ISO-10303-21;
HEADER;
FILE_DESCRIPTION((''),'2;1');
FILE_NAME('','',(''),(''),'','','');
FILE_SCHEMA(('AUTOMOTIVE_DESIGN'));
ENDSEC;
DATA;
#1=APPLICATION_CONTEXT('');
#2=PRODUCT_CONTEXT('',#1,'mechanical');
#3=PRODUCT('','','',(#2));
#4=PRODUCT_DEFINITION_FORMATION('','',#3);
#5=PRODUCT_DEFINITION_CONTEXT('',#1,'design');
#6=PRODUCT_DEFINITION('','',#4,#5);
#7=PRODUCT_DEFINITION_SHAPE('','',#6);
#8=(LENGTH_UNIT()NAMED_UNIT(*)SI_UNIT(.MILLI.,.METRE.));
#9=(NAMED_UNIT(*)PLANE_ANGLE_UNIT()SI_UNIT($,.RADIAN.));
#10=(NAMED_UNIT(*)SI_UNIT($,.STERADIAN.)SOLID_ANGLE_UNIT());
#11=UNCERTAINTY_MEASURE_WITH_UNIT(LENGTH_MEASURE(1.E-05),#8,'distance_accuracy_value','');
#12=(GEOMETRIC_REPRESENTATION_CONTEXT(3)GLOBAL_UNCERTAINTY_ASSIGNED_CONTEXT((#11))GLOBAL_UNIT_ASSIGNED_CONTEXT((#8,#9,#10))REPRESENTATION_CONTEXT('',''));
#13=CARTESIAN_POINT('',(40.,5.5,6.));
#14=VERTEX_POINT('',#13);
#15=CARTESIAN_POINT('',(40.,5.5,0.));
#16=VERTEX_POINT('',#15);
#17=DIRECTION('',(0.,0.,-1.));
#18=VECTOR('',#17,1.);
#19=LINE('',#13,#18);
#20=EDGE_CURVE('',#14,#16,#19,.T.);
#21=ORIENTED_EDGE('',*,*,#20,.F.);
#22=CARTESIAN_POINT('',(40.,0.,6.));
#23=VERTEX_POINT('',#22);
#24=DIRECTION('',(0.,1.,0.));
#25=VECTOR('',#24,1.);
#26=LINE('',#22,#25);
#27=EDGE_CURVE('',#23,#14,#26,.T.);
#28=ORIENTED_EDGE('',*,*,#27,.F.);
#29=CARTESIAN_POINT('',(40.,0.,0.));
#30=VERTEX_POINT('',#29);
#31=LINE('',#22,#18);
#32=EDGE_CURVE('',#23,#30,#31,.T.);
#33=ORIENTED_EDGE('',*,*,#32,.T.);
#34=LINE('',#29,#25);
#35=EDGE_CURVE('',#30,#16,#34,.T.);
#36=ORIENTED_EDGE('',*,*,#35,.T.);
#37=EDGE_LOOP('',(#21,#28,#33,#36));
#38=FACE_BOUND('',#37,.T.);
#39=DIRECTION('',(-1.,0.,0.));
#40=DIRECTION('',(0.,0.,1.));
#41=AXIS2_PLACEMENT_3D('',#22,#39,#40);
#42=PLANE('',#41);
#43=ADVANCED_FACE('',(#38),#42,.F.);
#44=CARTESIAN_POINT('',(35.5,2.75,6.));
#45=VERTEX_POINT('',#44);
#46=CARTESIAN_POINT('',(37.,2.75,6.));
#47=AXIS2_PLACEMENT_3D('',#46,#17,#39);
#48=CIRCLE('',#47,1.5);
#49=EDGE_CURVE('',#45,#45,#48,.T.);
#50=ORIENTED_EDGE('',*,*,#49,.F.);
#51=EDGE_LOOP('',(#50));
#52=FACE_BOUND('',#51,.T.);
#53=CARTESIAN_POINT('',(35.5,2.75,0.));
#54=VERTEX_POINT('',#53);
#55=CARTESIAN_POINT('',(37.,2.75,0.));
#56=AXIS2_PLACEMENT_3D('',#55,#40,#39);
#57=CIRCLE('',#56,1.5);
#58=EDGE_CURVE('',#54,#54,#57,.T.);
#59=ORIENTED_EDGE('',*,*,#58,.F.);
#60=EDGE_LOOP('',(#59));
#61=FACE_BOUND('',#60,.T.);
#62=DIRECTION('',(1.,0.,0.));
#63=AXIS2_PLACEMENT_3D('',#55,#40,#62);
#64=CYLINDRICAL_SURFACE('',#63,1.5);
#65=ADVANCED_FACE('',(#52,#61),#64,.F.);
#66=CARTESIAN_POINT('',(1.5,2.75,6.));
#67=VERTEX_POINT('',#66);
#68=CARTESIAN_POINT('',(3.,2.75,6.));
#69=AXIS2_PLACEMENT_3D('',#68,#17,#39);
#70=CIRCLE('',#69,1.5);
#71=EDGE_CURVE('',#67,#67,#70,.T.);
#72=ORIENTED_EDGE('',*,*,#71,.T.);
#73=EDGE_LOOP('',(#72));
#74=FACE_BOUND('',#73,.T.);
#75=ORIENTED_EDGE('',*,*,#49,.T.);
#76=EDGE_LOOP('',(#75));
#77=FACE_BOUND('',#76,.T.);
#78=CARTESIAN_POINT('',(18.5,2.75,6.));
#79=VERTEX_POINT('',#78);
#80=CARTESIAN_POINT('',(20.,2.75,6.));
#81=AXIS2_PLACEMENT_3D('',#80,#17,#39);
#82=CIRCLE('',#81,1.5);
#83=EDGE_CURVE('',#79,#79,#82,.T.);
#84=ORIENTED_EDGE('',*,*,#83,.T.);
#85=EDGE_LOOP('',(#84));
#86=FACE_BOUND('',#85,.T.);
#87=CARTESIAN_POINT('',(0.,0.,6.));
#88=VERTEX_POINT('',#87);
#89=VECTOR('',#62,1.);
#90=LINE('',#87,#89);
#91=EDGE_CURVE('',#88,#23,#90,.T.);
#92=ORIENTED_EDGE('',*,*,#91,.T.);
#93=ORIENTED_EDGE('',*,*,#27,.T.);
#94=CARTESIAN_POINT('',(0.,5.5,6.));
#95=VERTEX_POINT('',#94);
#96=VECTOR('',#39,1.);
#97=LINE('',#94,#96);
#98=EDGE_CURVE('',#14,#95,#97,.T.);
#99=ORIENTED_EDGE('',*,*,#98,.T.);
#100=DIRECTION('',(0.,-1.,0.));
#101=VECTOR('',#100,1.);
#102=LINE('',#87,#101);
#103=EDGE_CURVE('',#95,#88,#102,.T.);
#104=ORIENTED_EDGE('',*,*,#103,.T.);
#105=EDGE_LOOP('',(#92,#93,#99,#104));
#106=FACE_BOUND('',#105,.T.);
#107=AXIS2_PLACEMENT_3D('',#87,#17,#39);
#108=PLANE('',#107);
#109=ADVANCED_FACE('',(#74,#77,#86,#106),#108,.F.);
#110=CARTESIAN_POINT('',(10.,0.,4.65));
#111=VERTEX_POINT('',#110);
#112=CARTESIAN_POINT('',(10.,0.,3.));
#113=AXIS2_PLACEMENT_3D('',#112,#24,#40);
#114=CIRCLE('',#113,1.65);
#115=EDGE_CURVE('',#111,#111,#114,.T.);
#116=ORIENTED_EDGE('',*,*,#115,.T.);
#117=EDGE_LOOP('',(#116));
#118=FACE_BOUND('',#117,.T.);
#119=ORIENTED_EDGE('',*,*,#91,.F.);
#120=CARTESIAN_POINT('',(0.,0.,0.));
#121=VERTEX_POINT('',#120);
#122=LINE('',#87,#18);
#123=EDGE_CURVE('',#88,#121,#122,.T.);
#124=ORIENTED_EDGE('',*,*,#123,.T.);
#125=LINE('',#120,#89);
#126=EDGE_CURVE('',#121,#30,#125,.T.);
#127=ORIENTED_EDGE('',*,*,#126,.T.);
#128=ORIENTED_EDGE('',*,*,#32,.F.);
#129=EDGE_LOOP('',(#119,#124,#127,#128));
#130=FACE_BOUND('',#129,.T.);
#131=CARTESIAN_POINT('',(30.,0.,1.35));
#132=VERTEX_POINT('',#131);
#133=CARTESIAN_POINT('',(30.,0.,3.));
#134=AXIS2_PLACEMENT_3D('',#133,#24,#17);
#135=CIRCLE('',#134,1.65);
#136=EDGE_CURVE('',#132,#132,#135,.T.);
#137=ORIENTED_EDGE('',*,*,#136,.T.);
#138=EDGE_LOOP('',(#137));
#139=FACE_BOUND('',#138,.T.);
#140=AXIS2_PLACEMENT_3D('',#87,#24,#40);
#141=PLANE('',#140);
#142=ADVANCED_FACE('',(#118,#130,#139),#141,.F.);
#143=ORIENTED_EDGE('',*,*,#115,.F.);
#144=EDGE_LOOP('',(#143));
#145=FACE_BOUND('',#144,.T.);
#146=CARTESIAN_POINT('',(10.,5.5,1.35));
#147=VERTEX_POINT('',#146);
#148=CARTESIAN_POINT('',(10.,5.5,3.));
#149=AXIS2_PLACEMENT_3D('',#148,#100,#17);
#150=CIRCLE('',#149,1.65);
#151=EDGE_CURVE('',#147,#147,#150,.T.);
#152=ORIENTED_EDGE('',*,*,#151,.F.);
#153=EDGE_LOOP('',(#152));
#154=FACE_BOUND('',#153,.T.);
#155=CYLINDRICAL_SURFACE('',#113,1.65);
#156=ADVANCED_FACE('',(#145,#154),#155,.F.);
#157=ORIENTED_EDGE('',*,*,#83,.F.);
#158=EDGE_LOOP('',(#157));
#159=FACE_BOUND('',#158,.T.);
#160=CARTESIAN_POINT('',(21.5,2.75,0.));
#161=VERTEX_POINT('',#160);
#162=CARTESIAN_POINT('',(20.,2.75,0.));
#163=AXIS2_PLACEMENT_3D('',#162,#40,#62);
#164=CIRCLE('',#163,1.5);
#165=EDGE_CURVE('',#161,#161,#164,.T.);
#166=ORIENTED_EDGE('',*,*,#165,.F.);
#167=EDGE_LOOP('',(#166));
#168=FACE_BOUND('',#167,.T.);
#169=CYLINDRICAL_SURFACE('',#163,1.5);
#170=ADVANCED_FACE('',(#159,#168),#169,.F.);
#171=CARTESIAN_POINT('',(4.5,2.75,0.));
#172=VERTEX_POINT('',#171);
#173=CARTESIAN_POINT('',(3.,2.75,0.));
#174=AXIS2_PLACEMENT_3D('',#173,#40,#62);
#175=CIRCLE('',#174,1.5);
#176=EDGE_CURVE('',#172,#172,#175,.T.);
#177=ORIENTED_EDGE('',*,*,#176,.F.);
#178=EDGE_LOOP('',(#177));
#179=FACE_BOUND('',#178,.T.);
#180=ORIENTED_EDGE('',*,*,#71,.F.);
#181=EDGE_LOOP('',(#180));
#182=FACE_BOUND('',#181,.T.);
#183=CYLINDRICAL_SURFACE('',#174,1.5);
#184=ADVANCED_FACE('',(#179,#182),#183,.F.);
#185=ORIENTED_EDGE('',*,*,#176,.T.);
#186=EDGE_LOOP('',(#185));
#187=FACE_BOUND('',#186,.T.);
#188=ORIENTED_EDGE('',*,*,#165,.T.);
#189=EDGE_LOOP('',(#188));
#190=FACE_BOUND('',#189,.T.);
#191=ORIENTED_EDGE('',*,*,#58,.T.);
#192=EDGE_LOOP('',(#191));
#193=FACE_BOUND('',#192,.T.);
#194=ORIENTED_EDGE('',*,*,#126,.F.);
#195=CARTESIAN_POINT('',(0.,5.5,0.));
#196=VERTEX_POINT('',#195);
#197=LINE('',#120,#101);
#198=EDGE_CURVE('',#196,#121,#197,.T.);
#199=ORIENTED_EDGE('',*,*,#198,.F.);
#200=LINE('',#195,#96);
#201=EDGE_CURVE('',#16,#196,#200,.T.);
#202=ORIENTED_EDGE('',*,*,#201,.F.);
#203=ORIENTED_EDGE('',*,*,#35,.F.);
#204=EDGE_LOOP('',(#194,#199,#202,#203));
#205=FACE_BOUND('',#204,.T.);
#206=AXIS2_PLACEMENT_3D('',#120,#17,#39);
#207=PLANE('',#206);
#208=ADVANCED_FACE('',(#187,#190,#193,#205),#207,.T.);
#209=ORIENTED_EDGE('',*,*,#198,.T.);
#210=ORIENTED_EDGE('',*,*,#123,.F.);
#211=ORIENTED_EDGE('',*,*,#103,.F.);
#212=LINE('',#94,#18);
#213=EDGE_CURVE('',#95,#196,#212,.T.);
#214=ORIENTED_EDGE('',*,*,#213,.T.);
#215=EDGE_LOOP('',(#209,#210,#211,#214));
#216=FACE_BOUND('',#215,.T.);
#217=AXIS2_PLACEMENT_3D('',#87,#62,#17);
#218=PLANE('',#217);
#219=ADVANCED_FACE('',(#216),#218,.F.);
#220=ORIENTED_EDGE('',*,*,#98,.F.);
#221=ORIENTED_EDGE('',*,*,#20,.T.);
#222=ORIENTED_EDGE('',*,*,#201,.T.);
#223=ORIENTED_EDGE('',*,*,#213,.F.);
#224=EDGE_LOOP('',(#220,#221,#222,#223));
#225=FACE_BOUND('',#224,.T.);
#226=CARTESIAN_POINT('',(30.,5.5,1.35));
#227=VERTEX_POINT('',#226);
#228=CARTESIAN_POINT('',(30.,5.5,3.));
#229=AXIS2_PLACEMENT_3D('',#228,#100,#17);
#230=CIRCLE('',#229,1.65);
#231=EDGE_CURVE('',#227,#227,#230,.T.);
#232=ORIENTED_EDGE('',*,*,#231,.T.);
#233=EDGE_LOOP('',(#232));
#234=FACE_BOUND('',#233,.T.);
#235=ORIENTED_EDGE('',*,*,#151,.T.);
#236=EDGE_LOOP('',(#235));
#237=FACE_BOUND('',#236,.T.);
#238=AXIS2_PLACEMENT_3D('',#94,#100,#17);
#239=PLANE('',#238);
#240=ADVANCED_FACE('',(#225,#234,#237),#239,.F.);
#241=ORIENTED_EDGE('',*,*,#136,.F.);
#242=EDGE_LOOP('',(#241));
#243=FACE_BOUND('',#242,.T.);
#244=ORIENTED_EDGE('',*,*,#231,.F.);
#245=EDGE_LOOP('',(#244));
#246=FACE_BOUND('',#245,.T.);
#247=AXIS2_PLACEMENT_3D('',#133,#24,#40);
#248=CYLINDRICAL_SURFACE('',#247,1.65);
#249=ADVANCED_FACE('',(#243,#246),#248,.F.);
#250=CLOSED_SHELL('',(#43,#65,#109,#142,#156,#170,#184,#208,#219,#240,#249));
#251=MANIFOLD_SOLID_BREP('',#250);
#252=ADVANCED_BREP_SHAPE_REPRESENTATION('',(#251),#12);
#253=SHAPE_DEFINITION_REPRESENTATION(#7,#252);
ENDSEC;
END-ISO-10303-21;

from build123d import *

# Parameters (mm, degrees)
ESQUISSE1_W                  = 40
ESQUISSE1_H                  = 5.5
BOSS_EXTRU_1_DEPTH           = 6
ESQUISSE2_R                  = 1.5
ENL_V_MAT_EXTRU_1_DEPTH      = 1
ENL_V_MAT_EXTRU_1_DEPTH_BACK = 7
ESQUISSE3_R                  = 1.65
ENL_V_MAT_EXTRU_2_DEPTH      = 1
ENL_V_MAT_EXTRU_2_DEPTH_BACK = 6.5


with BuildPart() as part:
    # Esquisse1 → Boss.-Extru.1 (new body)
    with BuildSketch(Plane.XY):
        with Locations((20, 2.75)):
            Rectangle(ESQUISSE1_W, ESQUISSE1_H)
    extrude(amount=BOSS_EXTRU_1_DEPTH)

    # Esquisse2 → Enlèv. mat.-Extru.1 (cut, two sides)
    with BuildSketch(Plane.XY.offset(6)) as enl_v_mat_extru_1_sk:
        with Locations((20, 2.75)):
            Circle(ESQUISSE2_R)
        with Locations((3, 2.75)):
            Circle(ESQUISSE2_R)
        with Locations((37, 2.75)):
            Circle(ESQUISSE2_R)
    extrude(amount=ENL_V_MAT_EXTRU_1_DEPTH, mode=Mode.SUBTRACT)
    extrude(enl_v_mat_extru_1_sk.sketch, amount=-ENL_V_MAT_EXTRU_1_DEPTH_BACK, mode=Mode.SUBTRACT)

    # Esquisse3 → Enlèv. mat.-Extru.2 (cut, two sides)
    with BuildSketch(Plane(origin=(0, 5.5, 0), x_dir=(1, 0, 0), z_dir=(0, 1, 0))) as enl_v_mat_extru_2_sk:
        with Locations((10, -3)):
            Circle(ESQUISSE3_R)
        with Locations((30, -3)):
            Circle(ESQUISSE3_R)
    extrude(amount=ENL_V_MAT_EXTRU_2_DEPTH, mode=Mode.SUBTRACT)
    extrude(enl_v_mat_extru_2_sk.sketch, amount=-ENL_V_MAT_EXTRU_2_DEPTH_BACK, mode=Mode.SUBTRACT)


solid = part.part
